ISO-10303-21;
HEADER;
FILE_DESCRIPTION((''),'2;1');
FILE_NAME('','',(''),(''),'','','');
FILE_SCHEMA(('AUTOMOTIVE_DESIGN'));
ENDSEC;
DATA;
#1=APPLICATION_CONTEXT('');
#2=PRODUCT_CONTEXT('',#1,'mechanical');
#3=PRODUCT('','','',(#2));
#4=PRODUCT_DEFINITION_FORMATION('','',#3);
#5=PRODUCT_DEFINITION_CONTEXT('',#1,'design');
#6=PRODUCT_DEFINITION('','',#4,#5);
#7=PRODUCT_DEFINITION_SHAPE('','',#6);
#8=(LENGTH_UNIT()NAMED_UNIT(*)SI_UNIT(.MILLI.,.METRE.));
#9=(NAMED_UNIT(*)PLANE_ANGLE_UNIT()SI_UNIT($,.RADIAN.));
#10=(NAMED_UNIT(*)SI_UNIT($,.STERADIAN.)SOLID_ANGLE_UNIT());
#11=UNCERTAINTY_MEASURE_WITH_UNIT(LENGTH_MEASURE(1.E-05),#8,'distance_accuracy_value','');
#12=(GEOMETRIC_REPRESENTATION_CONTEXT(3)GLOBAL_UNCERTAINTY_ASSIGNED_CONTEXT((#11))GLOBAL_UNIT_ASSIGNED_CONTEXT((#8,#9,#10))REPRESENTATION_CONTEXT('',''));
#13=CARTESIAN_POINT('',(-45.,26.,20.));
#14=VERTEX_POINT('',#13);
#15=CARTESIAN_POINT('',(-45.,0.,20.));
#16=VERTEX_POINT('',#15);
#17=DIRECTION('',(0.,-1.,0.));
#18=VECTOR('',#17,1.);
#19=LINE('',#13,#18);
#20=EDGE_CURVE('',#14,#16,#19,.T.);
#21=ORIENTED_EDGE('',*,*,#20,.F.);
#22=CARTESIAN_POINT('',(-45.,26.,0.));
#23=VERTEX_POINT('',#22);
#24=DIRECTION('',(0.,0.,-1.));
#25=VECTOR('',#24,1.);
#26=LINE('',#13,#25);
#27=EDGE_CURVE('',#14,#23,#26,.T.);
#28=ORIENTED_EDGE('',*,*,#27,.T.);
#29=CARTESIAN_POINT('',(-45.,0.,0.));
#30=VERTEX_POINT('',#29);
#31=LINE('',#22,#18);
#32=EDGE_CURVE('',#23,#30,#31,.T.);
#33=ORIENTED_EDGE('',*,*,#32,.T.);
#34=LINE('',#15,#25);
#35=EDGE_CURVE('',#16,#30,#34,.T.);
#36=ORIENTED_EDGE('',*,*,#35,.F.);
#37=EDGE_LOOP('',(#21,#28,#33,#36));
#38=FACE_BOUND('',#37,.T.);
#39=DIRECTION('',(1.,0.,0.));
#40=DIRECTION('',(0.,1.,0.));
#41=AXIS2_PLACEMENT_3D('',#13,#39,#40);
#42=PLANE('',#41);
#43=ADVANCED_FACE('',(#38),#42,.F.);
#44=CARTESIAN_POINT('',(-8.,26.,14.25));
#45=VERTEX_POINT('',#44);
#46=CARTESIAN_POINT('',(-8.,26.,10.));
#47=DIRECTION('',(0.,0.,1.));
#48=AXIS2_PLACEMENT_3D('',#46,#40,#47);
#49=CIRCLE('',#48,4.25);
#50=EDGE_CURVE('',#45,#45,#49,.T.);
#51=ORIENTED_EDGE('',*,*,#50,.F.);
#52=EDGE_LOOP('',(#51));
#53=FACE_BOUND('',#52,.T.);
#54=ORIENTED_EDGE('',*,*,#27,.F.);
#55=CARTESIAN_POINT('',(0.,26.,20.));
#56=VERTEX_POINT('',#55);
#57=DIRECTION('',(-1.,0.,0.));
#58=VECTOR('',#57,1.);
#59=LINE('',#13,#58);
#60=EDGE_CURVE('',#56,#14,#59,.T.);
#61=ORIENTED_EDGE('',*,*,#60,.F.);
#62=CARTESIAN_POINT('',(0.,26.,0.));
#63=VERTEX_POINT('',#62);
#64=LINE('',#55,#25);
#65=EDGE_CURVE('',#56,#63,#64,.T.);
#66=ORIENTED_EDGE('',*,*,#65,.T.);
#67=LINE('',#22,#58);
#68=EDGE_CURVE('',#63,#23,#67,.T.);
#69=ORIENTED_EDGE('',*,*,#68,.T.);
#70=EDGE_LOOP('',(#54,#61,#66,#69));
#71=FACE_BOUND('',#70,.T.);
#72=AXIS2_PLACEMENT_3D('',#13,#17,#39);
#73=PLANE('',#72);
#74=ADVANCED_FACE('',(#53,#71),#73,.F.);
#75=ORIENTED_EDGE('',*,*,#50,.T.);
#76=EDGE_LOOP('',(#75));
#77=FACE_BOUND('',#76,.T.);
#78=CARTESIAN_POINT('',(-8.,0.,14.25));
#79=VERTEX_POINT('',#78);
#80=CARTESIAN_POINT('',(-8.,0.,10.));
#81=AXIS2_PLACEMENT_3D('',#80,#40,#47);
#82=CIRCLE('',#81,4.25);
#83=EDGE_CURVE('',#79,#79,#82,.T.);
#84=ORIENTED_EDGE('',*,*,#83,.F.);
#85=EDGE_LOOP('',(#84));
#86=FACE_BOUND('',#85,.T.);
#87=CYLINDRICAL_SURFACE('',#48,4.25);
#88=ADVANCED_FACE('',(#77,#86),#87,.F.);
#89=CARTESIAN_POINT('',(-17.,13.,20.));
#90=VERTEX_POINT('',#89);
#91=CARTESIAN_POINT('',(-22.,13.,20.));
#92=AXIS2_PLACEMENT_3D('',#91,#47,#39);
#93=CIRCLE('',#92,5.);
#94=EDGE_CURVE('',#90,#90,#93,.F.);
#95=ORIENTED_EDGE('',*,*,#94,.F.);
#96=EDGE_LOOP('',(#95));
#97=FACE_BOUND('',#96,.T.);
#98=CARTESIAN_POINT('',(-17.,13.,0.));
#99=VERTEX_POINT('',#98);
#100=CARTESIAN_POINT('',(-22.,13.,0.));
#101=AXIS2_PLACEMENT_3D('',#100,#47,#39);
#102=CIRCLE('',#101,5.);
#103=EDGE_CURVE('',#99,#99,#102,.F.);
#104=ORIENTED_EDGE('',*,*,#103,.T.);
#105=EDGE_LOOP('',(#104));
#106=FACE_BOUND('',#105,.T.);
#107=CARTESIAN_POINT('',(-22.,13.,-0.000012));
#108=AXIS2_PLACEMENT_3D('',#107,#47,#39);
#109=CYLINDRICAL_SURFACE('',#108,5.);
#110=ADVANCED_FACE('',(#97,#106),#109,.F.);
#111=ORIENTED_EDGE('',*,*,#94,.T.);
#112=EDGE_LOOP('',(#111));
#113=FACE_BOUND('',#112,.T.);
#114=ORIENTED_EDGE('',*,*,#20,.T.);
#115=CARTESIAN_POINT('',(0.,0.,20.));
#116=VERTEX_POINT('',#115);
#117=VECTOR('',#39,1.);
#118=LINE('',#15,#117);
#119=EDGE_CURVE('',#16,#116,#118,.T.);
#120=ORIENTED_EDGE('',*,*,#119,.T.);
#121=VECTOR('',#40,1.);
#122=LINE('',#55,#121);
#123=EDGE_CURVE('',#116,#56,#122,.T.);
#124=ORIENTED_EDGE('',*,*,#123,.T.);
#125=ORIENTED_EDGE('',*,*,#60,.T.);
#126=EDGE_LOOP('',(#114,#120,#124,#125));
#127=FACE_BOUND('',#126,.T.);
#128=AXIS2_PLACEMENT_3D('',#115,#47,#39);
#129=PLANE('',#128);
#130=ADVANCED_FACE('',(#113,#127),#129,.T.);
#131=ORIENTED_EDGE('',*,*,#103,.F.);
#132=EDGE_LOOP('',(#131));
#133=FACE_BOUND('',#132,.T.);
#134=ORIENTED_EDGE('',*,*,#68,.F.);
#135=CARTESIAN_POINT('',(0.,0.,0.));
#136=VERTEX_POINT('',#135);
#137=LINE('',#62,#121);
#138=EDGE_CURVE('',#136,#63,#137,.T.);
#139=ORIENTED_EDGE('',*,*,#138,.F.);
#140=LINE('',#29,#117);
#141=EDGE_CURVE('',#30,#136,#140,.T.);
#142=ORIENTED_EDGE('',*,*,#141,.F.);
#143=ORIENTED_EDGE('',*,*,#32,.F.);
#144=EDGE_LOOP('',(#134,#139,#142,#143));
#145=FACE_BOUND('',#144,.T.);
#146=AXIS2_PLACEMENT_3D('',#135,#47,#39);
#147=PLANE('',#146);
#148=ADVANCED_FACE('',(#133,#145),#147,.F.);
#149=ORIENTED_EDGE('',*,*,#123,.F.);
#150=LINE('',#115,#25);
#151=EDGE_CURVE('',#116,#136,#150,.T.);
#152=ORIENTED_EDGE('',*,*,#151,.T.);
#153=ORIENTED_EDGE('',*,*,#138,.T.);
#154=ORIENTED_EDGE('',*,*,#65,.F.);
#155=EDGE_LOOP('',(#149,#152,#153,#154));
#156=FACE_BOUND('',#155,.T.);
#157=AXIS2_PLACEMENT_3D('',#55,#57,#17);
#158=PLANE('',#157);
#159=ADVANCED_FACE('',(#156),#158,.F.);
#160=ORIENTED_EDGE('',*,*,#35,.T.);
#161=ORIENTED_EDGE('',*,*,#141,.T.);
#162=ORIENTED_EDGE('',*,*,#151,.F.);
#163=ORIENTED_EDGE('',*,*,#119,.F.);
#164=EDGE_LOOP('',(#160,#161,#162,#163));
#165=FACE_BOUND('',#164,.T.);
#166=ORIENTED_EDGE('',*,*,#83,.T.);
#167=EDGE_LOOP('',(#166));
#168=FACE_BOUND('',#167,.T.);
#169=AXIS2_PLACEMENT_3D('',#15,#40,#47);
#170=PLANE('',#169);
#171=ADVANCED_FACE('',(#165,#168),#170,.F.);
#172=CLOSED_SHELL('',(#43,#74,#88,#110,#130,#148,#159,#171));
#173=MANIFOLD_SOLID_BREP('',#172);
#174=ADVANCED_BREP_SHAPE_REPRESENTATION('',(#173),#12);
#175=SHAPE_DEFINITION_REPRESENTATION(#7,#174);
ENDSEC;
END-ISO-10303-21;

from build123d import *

# Parameters (mm, degrees)
ESQUISSE1_W                         = 45
ESQUISSE1_H                         = 26
BOSS_EXTRU_1_DEPTH                  = 20
ENL_V_MAT_EXTRU_1_REACH             = 22
ESQUISSE3_R                         = 5
ENL_V_MAT_EXTRU_1_DIRECTION_2_DEPTH = 1
TROU_TARAUD_M101_D                  = 8.5
TROU_TARAUD_M101_DEPTH              = 26


with BuildPart() as part:
    # Esquisse1 → Boss.-Extru.1 (new body)
    with BuildSketch(Plane.XY):
        with Locations((-22.5, 13)):
            Rectangle(ESQUISSE1_W, ESQUISSE1_H)
    extrude(amount=BOSS_EXTRU_1_DEPTH)

    # Esquisse3 → Enlèv. mat.-Extru.1 (cut, up to next)
    with BuildSketch(Plane(origin=(0, 0, 0), x_dir=(-1, 0, 0), z_dir=(0, 0, -1)), mode=Mode.PRIVATE) as enl_v_mat_extru_1_sk1:
        with Locations(Location((22, 13, 0), (0, 0, 180))):  # turned: the seam where the file's is
            Circle(ESQUISSE3_R)
    enl_v_mat_extru_1_tool1 = extrude(enl_v_mat_extru_1_sk1.sketch, amount=-ENL_V_MAT_EXTRU_1_REACH, mode=Mode.PRIVATE) & part.part
    add(enl_v_mat_extru_1_tool1.solids().sort_by_distance((-22, 13, 0))[0], mode=Mode.SUBTRACT)

    # Esquisse3 → Enlèv. mat.-Extru.1 direction 2 (cut)
    with BuildSketch(Plane(origin=(0, 0, 0), x_dir=(-1, 0, 0), z_dir=(0, 0, -1))):
        with Locations(Location((22, 13, 0), (0, 0, 180))):  # turned: the seam where the file's is
            Circle(ESQUISSE3_R)
    extrude(amount=ENL_V_MAT_EXTRU_1_DIRECTION_2_DEPTH, mode=Mode.SUBTRACT)

    # Trou taraudé M101
    with Locations(Plane(origin=(0, 26, 0), x_dir=(1, 0, 0), z_dir=(0, 1, 0))):
        with Locations((-8, -10)):
            Hole(TROU_TARAUD_M101_D / 2, depth=TROU_TARAUD_M101_DEPTH)


solid = part.part
